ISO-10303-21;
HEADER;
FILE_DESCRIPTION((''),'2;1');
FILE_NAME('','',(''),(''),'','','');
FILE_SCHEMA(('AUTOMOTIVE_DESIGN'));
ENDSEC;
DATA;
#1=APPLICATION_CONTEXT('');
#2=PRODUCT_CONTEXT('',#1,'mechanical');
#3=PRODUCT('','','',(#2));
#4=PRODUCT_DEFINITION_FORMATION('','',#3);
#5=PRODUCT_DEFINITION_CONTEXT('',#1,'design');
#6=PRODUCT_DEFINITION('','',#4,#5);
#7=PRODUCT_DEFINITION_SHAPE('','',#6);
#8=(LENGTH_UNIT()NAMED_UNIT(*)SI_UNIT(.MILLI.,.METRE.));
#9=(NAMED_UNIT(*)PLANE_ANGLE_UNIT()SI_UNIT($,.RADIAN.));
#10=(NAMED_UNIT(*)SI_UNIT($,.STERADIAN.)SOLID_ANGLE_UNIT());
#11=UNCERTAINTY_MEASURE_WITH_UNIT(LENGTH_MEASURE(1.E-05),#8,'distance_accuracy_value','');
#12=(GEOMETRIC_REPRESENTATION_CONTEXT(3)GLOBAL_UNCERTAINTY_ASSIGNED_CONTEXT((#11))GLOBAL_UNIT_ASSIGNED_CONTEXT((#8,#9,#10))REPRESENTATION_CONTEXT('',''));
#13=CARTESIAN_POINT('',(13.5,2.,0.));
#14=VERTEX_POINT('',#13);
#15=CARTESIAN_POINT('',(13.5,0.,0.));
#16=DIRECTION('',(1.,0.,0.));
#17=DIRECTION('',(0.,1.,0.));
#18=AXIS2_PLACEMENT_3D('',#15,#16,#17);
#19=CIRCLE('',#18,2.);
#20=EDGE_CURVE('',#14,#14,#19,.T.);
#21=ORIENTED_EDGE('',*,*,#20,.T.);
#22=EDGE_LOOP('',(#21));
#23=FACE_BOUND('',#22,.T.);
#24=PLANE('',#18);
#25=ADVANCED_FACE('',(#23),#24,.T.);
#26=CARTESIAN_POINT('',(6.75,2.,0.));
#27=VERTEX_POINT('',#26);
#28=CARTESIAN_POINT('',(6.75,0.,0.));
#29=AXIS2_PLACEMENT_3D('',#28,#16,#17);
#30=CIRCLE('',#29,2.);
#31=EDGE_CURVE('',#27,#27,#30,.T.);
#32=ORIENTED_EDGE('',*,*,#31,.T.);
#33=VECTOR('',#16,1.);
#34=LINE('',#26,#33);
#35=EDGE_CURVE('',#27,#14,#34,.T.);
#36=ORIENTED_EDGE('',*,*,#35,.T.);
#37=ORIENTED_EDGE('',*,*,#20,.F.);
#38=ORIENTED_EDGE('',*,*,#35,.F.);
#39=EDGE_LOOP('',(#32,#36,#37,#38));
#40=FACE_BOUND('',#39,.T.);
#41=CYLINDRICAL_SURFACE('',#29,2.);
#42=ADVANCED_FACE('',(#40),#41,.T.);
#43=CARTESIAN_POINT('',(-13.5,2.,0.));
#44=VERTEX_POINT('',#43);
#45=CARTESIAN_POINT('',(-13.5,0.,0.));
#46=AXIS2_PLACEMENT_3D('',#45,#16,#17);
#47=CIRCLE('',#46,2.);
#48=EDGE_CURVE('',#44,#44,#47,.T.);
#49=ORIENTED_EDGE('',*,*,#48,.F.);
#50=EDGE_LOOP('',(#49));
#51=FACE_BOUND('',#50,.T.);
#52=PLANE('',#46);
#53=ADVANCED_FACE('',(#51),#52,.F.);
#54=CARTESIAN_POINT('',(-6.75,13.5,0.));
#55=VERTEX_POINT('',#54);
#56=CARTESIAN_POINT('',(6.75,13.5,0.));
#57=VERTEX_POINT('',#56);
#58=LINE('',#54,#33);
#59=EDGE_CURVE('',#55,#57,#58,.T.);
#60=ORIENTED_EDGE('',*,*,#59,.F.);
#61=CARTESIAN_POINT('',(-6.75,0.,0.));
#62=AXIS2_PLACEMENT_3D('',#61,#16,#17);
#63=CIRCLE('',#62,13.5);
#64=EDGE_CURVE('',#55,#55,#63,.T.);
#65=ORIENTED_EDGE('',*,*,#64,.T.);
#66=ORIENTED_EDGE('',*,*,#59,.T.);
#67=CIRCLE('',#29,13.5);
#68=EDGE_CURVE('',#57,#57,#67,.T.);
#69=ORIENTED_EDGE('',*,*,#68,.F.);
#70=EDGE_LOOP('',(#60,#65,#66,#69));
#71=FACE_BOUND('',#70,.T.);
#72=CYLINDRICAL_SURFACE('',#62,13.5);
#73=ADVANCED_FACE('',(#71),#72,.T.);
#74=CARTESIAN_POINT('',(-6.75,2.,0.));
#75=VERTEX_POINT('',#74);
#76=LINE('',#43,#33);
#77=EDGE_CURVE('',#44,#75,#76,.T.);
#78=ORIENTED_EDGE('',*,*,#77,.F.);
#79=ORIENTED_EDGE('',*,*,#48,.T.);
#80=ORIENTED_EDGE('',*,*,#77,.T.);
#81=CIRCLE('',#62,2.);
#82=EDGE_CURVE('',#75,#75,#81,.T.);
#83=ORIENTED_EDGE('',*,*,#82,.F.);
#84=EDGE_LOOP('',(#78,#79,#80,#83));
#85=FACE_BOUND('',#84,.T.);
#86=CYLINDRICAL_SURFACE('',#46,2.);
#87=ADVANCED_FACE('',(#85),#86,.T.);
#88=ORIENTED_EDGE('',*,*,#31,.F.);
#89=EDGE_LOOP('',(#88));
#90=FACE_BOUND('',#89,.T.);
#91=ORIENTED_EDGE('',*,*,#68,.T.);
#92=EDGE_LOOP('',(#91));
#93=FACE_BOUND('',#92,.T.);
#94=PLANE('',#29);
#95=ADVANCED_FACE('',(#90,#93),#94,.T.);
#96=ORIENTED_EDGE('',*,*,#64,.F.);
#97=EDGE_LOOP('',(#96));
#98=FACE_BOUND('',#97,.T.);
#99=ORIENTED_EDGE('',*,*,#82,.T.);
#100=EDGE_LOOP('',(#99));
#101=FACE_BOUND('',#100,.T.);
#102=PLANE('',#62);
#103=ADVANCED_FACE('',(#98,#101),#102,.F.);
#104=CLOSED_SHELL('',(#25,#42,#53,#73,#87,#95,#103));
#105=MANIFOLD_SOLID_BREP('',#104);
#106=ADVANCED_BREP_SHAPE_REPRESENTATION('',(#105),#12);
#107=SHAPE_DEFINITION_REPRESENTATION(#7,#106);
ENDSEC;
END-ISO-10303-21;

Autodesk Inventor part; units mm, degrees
sketch "Sketch_1" plane through (0, 0, 0) normal (0, 0, 1) x (1, 0, 0)
  line L0 (50, 0) -> (-50, 0)
  line L1 (-13.5, 0) -> (-13.5, 2)
  line L2 (-13.5, 2) -> (-6.75, 2)
  line L3 (-6.75, 2) -> (-6.75, 13.5)
  line L4 (-6.75, 13.5) -> (6.75, 13.5)
  line L5 (6.75, 13.5) -> (6.75, 2)
  line L6 (6.75, 2) -> (13.5, 2)
  line L7 (13.5, 2) -> (13.5, 0)
  line L8 (13.5, 0) -> (-13.5, 0)
revolve "Revolution1" add sketch "Sketch_1" angle 360 about axis through (50, 0, 0) along (1, 0, 0)
ref_plane "p1_XY" through (0, 0, 0) normal (1, 0, 0) x (0, 0, -1)
ref_plane "p1_YZ" through (0, 0, 0) normal (0, 0, -1) x (0, 1, 0)
ref_plane "p1_ZX" through (0, 0, 0) normal (0, 1, 0) x (1, 0, 0)
properties part number "PRO10314 Rollenleiste Grundteil"
